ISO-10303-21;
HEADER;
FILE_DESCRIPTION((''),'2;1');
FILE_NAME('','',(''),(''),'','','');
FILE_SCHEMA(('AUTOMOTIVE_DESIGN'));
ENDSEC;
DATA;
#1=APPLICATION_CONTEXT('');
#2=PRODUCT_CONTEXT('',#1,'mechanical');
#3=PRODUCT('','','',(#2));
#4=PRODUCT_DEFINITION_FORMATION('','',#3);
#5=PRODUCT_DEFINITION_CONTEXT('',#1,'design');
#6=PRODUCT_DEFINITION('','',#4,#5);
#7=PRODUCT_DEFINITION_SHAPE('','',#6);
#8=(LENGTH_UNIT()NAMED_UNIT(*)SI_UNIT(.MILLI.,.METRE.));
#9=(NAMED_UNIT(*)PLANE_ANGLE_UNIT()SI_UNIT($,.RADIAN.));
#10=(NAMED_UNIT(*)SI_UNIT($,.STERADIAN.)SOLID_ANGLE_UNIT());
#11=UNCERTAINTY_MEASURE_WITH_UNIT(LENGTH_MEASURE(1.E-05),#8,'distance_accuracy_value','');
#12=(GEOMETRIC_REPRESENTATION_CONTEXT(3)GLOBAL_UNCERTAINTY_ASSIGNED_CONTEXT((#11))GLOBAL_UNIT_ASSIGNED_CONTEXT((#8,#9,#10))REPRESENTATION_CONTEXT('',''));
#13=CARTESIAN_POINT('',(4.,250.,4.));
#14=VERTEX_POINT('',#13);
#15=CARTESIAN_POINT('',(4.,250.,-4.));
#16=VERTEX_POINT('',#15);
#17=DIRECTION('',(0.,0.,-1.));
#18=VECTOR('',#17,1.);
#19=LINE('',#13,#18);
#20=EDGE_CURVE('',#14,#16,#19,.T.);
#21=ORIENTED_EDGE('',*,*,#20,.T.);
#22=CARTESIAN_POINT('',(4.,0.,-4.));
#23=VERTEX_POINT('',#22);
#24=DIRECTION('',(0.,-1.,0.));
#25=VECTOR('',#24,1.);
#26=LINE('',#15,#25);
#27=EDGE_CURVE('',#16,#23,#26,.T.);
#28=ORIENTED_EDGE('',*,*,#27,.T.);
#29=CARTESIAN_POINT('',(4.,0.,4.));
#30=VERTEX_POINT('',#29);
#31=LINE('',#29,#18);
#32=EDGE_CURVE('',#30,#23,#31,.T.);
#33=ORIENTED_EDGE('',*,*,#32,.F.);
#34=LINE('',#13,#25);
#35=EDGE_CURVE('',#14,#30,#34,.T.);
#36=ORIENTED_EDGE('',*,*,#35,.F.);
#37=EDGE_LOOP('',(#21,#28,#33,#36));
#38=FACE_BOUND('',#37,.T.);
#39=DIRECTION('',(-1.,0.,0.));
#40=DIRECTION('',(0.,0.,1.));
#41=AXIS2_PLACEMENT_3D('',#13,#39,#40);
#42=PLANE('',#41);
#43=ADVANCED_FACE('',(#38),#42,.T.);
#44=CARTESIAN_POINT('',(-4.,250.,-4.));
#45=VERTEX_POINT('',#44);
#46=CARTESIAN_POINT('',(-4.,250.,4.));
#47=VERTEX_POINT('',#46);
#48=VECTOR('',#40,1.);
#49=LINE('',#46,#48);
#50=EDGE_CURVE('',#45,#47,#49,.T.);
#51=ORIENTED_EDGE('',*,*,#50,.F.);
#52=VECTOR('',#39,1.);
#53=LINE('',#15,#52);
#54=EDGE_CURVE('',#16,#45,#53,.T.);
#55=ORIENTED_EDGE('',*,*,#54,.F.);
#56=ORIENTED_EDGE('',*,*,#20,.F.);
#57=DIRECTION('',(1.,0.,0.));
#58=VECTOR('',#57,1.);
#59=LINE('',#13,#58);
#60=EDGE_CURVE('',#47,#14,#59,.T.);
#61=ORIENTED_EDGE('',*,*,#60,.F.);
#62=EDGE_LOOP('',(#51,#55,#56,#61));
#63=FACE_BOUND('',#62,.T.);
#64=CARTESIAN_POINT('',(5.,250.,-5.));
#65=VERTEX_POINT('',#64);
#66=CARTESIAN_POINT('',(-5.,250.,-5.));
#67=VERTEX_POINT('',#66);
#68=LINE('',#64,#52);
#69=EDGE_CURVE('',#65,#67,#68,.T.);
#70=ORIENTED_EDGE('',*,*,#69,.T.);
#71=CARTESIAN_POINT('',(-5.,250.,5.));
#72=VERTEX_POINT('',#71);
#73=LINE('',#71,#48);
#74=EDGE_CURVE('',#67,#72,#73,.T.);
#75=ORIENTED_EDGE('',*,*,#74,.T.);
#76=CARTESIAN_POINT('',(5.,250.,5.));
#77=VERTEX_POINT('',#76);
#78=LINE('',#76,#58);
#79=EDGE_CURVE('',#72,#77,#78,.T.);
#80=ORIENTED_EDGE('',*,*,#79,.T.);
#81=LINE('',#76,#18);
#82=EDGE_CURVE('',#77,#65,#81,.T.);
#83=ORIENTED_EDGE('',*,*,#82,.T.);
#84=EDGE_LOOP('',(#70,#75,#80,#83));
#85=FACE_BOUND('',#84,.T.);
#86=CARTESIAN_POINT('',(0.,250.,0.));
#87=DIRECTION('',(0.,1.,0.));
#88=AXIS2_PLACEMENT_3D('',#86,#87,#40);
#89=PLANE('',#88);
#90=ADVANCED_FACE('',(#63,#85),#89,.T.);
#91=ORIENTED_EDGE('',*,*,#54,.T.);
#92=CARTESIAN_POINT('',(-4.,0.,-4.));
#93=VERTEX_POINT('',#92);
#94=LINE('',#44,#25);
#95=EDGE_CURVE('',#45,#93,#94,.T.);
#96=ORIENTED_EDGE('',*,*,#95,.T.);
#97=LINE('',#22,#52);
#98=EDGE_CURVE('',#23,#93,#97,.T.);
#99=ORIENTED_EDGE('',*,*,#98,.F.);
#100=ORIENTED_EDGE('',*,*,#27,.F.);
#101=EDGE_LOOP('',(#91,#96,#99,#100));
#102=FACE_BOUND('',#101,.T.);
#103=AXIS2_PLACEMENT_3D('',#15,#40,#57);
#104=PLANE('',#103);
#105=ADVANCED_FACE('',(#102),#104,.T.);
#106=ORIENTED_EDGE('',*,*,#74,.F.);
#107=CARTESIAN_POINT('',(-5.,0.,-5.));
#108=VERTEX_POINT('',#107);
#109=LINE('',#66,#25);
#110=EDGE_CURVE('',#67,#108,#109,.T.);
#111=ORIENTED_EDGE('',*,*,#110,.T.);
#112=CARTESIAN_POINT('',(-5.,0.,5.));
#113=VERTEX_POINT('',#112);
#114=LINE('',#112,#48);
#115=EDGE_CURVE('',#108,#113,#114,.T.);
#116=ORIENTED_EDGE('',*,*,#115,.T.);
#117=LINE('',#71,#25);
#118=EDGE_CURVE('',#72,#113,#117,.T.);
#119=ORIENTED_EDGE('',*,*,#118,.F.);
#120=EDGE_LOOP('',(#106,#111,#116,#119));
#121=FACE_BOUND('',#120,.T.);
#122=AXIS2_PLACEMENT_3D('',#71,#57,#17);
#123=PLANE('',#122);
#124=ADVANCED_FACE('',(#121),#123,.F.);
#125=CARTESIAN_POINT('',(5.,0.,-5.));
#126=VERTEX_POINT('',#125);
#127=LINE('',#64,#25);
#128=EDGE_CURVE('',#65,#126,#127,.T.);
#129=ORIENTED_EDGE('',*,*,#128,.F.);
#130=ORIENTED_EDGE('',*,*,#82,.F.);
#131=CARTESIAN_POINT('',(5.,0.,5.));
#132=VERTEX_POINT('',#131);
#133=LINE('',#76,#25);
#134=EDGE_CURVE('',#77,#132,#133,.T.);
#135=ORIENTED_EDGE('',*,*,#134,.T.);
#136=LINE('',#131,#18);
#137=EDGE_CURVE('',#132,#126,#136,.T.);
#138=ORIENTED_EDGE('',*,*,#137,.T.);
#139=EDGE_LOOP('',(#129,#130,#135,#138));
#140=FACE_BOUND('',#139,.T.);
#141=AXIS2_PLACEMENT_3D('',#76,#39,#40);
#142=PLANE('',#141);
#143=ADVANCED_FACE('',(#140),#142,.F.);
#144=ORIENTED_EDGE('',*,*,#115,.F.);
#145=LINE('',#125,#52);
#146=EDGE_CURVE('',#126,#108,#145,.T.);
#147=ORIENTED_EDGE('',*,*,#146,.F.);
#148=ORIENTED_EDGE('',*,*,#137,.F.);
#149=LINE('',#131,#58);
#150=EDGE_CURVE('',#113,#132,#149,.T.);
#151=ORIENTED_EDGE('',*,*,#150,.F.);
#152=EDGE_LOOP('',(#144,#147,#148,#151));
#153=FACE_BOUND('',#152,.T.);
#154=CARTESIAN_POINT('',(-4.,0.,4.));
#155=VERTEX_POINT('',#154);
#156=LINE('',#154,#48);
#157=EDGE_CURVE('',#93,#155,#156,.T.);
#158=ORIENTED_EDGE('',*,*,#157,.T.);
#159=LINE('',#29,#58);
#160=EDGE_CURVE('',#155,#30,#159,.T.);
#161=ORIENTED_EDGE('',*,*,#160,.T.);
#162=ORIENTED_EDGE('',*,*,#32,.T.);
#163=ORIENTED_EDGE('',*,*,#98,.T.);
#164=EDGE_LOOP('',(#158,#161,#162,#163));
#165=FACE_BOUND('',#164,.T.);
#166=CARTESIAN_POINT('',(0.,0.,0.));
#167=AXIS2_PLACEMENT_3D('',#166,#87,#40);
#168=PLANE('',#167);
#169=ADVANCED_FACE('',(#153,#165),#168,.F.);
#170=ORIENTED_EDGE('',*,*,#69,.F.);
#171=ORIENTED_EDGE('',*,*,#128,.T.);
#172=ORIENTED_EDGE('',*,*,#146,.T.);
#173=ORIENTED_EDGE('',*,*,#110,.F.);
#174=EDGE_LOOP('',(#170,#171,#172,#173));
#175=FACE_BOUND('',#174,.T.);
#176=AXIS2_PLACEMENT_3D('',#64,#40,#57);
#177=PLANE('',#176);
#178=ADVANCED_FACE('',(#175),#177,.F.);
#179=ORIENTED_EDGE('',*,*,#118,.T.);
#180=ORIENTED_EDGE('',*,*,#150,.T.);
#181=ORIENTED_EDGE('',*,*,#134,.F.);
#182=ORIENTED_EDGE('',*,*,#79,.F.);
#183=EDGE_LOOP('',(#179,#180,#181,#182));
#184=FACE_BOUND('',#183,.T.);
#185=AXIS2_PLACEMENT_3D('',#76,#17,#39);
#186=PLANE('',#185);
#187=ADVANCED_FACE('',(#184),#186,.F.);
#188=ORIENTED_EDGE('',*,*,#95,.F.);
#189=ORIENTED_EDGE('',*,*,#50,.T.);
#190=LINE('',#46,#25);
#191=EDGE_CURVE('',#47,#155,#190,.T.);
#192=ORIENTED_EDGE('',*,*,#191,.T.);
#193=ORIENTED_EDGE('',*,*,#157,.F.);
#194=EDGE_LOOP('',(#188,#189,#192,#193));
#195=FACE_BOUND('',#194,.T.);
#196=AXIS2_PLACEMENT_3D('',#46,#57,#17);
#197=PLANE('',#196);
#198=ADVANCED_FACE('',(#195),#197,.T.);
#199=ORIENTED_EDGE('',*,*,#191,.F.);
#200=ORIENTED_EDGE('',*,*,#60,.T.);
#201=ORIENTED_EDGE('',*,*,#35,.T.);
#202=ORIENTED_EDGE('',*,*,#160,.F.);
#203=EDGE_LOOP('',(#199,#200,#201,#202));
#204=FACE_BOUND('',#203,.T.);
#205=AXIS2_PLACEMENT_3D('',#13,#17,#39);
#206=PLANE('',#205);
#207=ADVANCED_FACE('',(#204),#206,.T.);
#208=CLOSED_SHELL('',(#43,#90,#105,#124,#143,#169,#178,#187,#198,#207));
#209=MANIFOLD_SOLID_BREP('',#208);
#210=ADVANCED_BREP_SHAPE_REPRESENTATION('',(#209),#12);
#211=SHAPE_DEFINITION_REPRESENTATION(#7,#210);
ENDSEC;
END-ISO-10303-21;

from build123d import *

# Parameters (mm, degrees)
SKETCH_1_W      = 10
SKETCH_1_H      = 10
SKETCH_1_W_2    = 8
SKETCH_1_H_2    = 8
EXTRUDE_1_DEPTH = 250


with BuildPart() as part:
    # Эскиз1 → Бобышка-Вытянуть1 (new body)
    with BuildSketch(Plane(origin=(0, 0, 0), x_dir=(1, 0, 0), z_dir=(0, 1, 0))):
        Rectangle(SKETCH_1_W, SKETCH_1_H)
        Rectangle(SKETCH_1_W_2, SKETCH_1_H_2, mode=Mode.SUBTRACT)
    extrude(amount=EXTRUDE_1_DEPTH)


solid = part.part
